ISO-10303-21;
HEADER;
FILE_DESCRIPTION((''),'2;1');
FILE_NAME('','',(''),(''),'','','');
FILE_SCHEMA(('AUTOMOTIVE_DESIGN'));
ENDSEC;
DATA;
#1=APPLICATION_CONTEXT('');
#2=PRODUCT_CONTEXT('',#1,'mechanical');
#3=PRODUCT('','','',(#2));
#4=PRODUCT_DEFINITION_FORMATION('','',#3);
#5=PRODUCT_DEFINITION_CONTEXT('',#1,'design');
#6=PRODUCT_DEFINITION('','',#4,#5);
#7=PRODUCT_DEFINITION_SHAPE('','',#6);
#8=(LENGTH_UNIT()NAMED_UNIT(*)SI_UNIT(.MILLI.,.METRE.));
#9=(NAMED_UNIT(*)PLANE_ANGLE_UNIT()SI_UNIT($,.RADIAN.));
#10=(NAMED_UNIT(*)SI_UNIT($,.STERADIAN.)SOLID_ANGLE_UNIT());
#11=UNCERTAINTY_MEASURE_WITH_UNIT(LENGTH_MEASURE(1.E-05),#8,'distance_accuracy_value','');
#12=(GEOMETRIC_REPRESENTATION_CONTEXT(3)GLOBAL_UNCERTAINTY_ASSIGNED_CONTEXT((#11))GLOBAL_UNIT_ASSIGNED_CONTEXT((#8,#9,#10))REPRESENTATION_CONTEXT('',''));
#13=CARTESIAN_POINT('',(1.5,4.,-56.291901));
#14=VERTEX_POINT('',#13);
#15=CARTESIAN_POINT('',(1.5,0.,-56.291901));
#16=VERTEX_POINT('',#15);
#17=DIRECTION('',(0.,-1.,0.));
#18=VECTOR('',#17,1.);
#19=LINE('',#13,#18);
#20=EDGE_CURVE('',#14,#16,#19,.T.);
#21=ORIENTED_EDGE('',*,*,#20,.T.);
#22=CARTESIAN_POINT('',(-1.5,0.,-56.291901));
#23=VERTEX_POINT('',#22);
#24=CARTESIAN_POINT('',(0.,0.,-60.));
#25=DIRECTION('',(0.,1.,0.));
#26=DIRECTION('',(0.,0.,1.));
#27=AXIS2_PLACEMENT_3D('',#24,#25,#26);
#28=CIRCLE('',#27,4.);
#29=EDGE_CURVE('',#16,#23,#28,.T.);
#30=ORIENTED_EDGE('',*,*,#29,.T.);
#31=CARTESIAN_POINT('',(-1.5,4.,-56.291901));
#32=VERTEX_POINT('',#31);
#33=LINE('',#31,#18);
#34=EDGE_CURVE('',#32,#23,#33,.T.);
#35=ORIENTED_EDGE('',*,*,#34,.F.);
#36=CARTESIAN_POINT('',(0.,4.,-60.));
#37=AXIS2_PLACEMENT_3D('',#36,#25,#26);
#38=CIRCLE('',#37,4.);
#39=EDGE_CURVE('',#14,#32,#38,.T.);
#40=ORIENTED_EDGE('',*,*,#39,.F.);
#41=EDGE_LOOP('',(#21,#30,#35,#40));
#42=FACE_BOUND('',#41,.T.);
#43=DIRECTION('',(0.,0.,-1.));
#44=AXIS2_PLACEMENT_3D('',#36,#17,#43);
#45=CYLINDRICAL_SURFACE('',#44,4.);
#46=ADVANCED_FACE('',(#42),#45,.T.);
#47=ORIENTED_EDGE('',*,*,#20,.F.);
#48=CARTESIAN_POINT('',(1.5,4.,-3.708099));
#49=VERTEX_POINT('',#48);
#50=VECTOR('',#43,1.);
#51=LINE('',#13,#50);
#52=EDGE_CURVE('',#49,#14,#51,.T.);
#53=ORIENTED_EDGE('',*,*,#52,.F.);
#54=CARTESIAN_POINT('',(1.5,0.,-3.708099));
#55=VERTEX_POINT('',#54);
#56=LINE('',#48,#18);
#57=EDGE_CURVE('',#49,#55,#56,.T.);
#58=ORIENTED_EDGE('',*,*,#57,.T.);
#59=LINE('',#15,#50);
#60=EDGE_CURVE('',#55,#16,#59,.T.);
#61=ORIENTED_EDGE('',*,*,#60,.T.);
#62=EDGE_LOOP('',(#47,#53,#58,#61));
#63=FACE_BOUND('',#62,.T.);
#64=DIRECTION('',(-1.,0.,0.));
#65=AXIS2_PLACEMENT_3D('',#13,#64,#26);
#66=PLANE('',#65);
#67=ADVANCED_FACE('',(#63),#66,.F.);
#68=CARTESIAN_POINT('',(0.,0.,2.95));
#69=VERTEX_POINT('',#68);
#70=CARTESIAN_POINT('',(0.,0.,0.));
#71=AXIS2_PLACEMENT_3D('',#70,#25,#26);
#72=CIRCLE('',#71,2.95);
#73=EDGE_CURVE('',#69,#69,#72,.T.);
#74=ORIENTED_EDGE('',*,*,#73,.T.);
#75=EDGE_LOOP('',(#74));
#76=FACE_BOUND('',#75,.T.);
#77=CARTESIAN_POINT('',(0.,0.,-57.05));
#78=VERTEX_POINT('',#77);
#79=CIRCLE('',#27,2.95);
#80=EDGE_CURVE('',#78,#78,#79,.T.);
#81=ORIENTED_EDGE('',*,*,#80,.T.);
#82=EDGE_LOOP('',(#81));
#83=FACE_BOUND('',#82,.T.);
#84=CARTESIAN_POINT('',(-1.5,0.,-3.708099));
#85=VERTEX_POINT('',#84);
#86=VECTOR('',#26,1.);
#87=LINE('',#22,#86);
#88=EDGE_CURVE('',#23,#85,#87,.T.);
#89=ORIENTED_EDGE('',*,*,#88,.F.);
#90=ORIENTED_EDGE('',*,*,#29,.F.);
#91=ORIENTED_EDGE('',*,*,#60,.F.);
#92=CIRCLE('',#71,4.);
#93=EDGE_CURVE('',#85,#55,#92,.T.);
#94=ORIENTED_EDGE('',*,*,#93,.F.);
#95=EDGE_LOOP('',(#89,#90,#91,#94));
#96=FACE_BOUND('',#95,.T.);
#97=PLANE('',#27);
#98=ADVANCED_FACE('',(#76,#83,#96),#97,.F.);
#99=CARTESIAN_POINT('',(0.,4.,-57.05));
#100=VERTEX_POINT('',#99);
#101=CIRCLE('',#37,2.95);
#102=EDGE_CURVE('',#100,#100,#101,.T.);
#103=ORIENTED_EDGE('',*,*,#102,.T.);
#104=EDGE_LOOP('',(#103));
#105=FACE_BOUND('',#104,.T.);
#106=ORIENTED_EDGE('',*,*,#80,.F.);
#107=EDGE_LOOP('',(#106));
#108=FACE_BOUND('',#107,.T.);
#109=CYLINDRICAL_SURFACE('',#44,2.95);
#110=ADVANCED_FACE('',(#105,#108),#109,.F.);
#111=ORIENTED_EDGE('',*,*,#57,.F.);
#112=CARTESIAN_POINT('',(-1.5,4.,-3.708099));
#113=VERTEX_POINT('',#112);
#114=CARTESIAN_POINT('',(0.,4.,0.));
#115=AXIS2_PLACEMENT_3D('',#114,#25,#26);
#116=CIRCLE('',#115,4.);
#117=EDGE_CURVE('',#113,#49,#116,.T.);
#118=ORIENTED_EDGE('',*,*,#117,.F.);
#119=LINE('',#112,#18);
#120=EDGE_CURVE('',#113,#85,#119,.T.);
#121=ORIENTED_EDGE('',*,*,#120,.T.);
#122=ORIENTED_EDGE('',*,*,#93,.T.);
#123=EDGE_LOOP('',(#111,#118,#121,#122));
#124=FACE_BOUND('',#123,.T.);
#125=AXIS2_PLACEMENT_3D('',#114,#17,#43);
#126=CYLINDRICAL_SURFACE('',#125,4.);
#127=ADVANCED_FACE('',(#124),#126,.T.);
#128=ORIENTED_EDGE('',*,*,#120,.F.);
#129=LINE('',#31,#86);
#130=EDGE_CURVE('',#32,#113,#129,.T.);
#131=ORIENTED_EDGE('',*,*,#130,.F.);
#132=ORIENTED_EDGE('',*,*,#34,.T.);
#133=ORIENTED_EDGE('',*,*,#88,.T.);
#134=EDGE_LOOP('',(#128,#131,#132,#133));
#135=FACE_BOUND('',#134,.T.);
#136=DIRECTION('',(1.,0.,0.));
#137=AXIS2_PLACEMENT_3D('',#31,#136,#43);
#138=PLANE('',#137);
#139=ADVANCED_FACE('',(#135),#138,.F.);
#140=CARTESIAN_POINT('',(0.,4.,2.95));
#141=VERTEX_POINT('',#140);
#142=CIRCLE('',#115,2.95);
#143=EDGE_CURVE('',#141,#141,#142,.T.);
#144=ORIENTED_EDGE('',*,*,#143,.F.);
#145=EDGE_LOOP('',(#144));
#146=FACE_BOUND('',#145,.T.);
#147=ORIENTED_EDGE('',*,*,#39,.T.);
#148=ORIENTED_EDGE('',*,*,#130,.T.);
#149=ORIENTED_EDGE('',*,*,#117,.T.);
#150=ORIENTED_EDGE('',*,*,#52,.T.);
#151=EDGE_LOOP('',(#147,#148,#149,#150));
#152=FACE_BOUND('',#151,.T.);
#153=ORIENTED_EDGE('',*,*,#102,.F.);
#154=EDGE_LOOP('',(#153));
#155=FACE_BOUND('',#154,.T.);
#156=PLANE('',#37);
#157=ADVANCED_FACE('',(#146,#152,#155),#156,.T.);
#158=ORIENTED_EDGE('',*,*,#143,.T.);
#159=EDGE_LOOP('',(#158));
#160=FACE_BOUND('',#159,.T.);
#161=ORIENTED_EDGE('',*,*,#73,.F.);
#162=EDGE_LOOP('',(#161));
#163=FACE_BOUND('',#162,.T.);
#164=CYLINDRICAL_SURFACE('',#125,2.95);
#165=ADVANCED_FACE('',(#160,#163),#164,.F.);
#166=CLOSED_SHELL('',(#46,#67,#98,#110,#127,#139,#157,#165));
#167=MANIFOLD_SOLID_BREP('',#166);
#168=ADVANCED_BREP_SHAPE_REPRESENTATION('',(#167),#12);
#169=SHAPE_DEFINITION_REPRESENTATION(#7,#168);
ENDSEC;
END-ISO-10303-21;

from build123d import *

# Parameters (mm, degrees)
SKETCH1_R           = 2.95
BOSS_EXTRUDE1_DEPTH = 4


with BuildPart() as part:
    # Sketch1 → Boss-Extrude1 (new body)
    with BuildSketch(Plane(origin=(0, 0, 0), x_dir=(1, 0, 0), z_dir=(0, 1, 0))):
        with BuildLine():
            Line((-1.5, 56.291900756), (-1.5, 3.708099244))
            ThreePointArc((-1.5, 3.708099244), (0, -4), (1.5, 3.708099244))
            Line((1.5, 3.708099244), (1.5, 56.291900756))
            ThreePointArc((1.5, 56.291900756), (0, 64), (-1.5, 56.291900756))
        make_face()
        with Locations((0, 60)):
            Circle(SKETCH1_R, mode=Mode.SUBTRACT)
        Circle(SKETCH1_R, mode=Mode.SUBTRACT)
    extrude(amount=BOSS_EXTRUDE1_DEPTH)


solid = part.part
